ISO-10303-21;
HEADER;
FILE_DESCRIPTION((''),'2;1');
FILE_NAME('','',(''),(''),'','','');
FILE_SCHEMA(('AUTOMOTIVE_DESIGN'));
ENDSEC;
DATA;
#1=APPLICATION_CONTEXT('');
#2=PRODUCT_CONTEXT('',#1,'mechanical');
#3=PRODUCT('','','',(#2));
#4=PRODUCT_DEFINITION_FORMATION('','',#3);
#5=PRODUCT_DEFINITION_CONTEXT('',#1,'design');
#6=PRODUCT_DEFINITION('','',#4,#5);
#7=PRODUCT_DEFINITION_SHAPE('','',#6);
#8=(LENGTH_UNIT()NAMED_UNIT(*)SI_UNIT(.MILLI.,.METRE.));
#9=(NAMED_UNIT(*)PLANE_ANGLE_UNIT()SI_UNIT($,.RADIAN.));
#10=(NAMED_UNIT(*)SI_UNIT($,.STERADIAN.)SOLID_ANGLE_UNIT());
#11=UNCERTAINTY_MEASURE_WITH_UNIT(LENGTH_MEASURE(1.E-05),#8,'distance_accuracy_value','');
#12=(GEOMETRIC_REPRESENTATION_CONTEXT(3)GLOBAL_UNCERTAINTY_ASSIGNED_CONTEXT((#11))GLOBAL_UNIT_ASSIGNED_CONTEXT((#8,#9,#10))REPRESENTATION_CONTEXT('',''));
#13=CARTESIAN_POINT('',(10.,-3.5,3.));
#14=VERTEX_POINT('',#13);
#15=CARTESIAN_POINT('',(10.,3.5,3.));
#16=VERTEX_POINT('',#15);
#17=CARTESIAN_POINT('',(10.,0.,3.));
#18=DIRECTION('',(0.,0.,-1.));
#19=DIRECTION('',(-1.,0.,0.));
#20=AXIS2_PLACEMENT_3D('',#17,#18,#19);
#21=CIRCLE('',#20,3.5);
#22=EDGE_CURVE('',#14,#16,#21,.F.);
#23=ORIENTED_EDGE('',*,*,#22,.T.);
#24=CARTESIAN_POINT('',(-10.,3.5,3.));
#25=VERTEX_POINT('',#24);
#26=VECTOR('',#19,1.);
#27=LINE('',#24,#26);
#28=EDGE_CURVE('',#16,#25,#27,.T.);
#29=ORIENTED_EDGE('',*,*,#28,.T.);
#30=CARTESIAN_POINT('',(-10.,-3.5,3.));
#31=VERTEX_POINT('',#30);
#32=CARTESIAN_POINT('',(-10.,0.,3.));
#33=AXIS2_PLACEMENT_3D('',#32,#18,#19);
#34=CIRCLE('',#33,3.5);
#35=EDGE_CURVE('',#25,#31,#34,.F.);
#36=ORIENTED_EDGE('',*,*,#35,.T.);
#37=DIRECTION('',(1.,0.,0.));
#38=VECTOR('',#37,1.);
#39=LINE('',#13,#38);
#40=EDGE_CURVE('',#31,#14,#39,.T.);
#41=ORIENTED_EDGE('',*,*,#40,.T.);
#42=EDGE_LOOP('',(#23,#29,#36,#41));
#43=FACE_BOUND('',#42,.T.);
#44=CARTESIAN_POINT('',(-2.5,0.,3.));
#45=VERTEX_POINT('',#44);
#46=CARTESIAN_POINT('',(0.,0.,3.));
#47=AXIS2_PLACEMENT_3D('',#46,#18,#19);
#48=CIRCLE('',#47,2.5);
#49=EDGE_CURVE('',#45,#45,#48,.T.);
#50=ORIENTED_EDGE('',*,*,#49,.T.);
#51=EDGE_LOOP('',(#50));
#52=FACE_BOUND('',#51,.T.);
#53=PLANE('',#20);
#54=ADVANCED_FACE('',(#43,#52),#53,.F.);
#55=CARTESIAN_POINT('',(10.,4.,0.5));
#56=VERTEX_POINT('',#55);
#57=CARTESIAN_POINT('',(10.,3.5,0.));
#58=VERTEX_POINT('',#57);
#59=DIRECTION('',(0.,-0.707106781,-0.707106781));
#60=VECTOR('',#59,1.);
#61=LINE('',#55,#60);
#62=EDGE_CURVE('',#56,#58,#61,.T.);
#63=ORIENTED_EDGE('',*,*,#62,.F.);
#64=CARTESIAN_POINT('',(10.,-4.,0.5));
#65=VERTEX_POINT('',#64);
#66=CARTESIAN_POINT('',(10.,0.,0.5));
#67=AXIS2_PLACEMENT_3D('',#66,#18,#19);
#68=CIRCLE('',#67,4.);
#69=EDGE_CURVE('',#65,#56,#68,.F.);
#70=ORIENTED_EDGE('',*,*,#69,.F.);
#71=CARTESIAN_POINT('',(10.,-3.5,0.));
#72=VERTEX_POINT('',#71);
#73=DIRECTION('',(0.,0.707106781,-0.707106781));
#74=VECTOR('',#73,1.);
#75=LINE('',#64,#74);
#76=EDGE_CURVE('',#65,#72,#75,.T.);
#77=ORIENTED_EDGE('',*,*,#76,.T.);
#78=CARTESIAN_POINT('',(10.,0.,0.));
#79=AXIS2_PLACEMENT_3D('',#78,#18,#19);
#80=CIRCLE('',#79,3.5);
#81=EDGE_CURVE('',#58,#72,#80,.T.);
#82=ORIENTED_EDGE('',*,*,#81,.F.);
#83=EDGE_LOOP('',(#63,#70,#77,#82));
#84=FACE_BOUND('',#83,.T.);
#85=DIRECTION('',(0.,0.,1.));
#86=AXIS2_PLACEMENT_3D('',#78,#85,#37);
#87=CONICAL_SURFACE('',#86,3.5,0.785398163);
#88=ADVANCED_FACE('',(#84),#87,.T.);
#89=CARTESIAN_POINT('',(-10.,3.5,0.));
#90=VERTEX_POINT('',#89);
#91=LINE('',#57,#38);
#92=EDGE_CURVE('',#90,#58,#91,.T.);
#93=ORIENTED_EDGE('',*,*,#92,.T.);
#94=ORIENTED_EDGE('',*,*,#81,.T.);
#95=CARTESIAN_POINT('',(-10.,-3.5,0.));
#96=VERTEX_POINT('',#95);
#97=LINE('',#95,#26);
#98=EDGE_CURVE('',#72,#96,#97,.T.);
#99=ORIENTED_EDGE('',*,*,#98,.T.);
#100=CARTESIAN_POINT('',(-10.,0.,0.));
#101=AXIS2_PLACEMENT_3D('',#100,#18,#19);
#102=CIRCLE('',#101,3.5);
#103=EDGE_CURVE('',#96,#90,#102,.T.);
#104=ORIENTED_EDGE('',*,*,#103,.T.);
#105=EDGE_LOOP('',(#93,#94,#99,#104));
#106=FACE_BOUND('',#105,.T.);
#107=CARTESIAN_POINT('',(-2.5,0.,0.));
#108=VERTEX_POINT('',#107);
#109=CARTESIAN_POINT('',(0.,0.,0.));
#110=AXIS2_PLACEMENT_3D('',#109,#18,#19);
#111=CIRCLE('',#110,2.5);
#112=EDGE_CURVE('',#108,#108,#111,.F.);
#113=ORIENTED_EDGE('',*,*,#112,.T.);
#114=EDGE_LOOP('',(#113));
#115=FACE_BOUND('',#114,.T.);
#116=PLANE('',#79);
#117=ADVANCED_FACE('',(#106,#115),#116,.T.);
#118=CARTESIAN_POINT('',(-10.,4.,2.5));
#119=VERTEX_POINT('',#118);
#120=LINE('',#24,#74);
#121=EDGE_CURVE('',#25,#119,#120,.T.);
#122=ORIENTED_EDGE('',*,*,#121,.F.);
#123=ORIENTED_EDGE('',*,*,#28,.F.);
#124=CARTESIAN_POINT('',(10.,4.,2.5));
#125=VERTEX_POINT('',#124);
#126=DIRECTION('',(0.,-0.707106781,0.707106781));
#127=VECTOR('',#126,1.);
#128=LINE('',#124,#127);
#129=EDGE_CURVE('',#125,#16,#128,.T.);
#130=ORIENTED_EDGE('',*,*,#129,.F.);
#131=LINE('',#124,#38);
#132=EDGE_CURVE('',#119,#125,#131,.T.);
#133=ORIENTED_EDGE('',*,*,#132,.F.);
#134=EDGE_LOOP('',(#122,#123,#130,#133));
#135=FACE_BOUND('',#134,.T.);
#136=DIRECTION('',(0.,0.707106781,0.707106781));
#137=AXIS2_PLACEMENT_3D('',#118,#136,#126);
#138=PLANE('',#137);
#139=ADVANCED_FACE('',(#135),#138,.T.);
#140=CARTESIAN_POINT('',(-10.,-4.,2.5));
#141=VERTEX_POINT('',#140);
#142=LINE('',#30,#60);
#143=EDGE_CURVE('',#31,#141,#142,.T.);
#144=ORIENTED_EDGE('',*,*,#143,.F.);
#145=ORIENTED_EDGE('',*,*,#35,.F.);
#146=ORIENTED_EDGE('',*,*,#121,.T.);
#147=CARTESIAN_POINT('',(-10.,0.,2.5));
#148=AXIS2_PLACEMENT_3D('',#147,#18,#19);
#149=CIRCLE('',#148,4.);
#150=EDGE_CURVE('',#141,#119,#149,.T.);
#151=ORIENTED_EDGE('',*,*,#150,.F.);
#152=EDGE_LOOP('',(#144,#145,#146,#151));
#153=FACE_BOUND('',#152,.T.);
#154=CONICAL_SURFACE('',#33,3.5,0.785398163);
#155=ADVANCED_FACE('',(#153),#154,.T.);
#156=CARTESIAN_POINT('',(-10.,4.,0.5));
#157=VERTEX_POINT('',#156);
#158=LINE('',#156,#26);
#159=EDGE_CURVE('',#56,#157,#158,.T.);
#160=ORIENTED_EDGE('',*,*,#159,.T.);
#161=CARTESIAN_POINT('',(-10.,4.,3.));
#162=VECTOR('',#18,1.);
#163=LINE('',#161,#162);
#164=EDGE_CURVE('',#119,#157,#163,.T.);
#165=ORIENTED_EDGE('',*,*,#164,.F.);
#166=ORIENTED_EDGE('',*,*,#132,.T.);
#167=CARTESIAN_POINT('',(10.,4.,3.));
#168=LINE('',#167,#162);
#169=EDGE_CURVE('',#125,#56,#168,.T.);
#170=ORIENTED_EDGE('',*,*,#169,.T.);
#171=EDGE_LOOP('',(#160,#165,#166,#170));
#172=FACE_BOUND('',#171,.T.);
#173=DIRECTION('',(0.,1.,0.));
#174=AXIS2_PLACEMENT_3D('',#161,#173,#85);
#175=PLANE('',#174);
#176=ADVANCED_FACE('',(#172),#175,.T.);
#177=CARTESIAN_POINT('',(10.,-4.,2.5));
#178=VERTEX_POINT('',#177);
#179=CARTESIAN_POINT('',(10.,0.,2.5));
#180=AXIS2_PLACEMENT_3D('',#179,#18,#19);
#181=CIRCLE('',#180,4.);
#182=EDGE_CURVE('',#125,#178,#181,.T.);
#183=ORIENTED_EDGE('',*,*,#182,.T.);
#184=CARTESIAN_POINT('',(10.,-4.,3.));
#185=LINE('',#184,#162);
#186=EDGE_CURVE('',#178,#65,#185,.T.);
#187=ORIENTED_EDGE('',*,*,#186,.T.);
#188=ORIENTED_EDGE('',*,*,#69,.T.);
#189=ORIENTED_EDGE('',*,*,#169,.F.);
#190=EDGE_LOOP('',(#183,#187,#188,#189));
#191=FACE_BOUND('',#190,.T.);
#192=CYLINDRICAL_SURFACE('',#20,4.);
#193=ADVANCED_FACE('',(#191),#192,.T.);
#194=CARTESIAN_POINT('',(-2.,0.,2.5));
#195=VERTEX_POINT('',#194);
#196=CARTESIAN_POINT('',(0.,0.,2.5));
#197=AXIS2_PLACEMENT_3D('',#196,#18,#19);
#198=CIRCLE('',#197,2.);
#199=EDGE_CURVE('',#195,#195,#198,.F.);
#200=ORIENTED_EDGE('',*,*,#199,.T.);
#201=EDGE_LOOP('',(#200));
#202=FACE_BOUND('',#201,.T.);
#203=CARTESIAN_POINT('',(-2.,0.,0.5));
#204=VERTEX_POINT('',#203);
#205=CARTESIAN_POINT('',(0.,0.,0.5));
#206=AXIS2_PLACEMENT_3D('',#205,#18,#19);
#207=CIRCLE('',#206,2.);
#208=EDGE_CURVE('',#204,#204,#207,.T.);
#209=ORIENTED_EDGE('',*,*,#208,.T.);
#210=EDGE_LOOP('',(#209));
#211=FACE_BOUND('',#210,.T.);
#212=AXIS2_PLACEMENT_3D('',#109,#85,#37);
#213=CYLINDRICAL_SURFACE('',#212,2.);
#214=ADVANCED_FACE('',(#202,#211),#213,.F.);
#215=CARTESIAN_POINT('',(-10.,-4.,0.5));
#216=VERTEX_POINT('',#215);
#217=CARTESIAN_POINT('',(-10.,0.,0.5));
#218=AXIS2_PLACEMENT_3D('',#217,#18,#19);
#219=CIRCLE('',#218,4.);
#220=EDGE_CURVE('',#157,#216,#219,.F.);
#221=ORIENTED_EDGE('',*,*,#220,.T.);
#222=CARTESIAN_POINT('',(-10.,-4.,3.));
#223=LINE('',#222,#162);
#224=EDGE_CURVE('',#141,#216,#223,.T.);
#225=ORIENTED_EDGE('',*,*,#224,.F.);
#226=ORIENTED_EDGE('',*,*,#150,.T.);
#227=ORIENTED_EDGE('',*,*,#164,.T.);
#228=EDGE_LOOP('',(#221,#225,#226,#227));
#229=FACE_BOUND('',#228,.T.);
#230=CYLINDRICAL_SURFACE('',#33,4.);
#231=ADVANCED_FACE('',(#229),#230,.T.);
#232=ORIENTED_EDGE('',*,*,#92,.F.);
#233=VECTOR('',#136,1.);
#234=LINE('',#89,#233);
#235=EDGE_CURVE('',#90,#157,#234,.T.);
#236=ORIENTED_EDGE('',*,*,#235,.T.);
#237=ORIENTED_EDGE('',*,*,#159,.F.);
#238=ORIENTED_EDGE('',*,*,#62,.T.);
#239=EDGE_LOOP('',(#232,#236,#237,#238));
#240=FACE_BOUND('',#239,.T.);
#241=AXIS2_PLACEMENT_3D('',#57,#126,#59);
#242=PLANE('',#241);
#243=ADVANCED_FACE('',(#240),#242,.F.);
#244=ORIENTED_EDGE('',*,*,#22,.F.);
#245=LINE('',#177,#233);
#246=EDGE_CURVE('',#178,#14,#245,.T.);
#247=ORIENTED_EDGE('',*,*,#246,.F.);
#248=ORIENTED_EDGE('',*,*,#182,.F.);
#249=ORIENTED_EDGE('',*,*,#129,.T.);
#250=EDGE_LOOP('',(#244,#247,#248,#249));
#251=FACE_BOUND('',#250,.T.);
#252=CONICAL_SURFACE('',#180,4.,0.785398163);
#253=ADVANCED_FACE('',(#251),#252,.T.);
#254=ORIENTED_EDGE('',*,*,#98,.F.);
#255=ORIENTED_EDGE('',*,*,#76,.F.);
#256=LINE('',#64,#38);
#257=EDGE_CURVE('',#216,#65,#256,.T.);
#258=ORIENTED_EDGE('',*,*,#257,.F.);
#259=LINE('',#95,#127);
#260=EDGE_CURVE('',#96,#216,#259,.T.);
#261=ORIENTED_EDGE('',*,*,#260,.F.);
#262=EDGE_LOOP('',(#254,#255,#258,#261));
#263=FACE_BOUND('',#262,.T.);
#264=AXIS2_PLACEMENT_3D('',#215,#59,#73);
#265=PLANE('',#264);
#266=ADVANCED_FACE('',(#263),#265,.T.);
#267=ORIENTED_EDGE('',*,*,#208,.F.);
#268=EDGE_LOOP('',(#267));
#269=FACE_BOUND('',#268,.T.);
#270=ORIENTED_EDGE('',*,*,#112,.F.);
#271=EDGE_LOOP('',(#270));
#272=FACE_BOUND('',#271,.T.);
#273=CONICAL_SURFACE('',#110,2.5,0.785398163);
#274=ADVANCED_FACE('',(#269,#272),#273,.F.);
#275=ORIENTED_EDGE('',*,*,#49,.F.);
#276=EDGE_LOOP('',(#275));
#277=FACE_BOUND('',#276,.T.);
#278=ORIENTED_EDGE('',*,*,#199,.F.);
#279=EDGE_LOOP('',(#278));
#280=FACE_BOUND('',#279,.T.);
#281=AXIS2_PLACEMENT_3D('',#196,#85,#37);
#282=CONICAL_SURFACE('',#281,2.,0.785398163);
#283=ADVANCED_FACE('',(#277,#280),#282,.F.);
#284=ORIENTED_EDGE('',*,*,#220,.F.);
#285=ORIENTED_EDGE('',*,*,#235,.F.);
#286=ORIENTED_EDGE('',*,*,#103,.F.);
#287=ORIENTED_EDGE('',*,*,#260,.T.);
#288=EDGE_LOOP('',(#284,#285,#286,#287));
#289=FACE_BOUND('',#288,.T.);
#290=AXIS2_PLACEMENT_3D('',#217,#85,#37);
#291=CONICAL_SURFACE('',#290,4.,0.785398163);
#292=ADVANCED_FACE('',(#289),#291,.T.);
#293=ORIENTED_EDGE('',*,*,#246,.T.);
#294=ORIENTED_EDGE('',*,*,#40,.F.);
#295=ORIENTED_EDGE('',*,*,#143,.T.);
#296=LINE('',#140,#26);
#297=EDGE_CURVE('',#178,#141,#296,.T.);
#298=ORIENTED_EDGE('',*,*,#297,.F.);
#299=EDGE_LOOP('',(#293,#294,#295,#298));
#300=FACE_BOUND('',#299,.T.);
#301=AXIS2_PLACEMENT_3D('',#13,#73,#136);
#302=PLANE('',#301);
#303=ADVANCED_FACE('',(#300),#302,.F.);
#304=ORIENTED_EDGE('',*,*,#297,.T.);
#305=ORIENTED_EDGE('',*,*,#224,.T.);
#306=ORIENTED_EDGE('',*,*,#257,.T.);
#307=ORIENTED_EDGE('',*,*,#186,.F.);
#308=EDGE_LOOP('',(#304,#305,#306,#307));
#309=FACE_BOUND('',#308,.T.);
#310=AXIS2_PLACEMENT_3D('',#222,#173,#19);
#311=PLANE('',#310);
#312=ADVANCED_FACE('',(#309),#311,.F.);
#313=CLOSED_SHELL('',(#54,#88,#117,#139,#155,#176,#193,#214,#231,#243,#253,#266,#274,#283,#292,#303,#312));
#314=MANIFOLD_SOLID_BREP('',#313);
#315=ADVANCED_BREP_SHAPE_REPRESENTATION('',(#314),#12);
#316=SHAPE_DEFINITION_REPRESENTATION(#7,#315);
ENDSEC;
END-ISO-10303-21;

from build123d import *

# Parameters (mm, degrees)
BASE_EXTRUSION_DEPTH    = 3
ESQUISSE2_R             = 2
ENL_V_MAT_EXTRU_1_DEPTH = 3
CHANFREIN1_SIZE         = 0.5


with BuildPart() as part:
    # Esquisse1 → Base-Extrusion (new body)
    with BuildSketch(Plane.XY):
        with BuildLine():
            Line((-10, 4), (10, 4))
            ThreePointArc((10, 4), (14, 0), (10, -4))
            Line((10, -4), (-10, -4))
            ThreePointArc((-10, -4), (-14, 0), (-10, 4))
        make_face()
    extrude(amount=BASE_EXTRUSION_DEPTH)

    # Esquisse2 → Enlèv. mat.-Extru.1 (cut)
    with BuildSketch(Plane.XY.offset(3)):
        with Locations(Location((0, 0, 0), (0, 0, 180))):
            Circle(ESQUISSE2_R)
    extrude(amount=-ENL_V_MAT_EXTRU_1_DEPTH, mode=Mode.SUBTRACT)

    # Chanfrein1
    chanfrein1_edges = [part.edges().sort_by_distance(p)[0] for p in [
        (0, -4, 0),
        (0, -4, 3),
        (14, 0, 0),
        (14, 0, 3),
        (-14, 0, 0),
        (-14, 0, 3),
        (0, 4, 0),
        (2, 0, 0),
        (0, 4, 3),
        (2, 0, 3),
    ]]
    chamfer(chanfrein1_edges, length=CHANFREIN1_SIZE)


solid = part.part
